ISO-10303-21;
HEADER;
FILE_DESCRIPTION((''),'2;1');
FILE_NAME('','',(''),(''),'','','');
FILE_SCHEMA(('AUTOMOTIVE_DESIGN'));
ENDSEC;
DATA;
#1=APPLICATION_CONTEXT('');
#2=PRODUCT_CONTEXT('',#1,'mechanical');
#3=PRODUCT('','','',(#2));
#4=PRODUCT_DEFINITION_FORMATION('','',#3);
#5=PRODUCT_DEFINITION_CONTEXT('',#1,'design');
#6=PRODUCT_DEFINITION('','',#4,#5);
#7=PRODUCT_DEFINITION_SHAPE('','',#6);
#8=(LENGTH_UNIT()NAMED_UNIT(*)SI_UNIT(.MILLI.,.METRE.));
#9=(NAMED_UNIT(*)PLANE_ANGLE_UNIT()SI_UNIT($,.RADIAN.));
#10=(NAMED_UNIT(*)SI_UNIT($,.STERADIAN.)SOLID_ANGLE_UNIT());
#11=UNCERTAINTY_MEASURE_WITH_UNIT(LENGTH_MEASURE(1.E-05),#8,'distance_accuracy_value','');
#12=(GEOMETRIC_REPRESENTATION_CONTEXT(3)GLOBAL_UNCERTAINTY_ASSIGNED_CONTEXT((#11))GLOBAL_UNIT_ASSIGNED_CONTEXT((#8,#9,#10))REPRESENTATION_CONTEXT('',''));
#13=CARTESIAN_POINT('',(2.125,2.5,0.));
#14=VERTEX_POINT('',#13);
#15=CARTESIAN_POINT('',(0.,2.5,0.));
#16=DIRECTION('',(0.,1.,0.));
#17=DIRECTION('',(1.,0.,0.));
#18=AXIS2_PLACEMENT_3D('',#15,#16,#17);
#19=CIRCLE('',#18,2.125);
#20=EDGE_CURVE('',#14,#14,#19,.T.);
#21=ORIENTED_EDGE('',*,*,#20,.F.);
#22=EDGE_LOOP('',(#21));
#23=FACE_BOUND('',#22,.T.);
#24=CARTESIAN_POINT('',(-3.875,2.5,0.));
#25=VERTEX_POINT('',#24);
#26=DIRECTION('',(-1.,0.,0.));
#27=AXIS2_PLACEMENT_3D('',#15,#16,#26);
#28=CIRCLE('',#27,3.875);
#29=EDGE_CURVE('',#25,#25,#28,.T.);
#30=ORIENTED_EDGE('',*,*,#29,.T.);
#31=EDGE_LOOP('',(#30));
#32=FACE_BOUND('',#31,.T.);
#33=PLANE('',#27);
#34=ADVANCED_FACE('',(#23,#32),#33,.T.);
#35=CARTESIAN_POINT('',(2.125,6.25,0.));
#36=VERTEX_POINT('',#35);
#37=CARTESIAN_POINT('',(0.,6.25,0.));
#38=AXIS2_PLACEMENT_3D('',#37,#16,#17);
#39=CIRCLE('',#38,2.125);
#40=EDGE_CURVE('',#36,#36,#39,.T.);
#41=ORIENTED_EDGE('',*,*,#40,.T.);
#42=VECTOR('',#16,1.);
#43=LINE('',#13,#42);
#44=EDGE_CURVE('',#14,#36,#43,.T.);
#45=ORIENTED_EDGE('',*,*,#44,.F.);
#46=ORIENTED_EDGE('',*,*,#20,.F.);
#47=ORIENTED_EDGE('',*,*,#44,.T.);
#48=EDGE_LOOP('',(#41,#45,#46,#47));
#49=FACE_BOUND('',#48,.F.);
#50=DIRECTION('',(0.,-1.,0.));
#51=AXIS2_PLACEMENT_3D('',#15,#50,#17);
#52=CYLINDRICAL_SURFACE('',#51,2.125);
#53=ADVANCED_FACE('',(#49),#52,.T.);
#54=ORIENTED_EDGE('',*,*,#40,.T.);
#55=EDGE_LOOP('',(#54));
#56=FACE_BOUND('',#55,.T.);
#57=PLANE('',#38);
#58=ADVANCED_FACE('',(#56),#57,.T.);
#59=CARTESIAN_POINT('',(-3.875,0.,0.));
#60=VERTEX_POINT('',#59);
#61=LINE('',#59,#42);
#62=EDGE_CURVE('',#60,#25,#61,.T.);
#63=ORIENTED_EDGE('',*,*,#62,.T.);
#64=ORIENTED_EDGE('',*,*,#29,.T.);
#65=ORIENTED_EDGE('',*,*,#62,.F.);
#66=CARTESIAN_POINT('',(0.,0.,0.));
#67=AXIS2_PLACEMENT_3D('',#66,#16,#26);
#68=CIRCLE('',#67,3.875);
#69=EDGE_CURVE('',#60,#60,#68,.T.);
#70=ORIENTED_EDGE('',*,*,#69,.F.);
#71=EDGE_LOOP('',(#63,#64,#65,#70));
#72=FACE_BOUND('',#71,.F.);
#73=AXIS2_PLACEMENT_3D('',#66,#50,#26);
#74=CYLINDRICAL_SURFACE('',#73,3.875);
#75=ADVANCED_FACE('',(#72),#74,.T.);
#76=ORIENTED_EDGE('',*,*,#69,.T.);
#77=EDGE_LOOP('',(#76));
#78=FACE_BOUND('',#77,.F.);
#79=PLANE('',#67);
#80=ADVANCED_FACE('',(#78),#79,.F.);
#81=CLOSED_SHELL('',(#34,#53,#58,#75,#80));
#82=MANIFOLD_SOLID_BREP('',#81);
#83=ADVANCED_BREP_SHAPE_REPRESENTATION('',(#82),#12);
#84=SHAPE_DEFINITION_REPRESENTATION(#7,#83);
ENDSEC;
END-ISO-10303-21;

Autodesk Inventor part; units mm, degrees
ref_plane "YZ Plane" through (0, 0, 0) normal (1, 0, 0) x (0, 1, 0)
ref_plane "XZ Plane" through (0, 0, 0) normal (0, 1, 0) x (-1, 0, 0)
ref_plane "XY Plane" through (0, 0, 0) normal (0, 0, 1) x (1, 0, 0)
sketch "Sketch1" plane through (0, 0, 0) normal (0, 1, 0) x (-1, 0, 0)
  circle A0 centre (0, 0) radius 3.875
  dimension "d0" = 7.75
extrude "Extrusion1" add sketch "Sketch1" along normal blind 2.5
sketch "Sketch2" plane through (0, 2.5, 0) normal (0, 1, 0) x (1, 0, 0)
  circle A0 centre (0, 0) radius 2.125
  dimension "d4" = 4.25
extrude "Extrusion2" add sketch "Sketch2" along normal blind 3.75
properties part number "NUC_mount_screw"
